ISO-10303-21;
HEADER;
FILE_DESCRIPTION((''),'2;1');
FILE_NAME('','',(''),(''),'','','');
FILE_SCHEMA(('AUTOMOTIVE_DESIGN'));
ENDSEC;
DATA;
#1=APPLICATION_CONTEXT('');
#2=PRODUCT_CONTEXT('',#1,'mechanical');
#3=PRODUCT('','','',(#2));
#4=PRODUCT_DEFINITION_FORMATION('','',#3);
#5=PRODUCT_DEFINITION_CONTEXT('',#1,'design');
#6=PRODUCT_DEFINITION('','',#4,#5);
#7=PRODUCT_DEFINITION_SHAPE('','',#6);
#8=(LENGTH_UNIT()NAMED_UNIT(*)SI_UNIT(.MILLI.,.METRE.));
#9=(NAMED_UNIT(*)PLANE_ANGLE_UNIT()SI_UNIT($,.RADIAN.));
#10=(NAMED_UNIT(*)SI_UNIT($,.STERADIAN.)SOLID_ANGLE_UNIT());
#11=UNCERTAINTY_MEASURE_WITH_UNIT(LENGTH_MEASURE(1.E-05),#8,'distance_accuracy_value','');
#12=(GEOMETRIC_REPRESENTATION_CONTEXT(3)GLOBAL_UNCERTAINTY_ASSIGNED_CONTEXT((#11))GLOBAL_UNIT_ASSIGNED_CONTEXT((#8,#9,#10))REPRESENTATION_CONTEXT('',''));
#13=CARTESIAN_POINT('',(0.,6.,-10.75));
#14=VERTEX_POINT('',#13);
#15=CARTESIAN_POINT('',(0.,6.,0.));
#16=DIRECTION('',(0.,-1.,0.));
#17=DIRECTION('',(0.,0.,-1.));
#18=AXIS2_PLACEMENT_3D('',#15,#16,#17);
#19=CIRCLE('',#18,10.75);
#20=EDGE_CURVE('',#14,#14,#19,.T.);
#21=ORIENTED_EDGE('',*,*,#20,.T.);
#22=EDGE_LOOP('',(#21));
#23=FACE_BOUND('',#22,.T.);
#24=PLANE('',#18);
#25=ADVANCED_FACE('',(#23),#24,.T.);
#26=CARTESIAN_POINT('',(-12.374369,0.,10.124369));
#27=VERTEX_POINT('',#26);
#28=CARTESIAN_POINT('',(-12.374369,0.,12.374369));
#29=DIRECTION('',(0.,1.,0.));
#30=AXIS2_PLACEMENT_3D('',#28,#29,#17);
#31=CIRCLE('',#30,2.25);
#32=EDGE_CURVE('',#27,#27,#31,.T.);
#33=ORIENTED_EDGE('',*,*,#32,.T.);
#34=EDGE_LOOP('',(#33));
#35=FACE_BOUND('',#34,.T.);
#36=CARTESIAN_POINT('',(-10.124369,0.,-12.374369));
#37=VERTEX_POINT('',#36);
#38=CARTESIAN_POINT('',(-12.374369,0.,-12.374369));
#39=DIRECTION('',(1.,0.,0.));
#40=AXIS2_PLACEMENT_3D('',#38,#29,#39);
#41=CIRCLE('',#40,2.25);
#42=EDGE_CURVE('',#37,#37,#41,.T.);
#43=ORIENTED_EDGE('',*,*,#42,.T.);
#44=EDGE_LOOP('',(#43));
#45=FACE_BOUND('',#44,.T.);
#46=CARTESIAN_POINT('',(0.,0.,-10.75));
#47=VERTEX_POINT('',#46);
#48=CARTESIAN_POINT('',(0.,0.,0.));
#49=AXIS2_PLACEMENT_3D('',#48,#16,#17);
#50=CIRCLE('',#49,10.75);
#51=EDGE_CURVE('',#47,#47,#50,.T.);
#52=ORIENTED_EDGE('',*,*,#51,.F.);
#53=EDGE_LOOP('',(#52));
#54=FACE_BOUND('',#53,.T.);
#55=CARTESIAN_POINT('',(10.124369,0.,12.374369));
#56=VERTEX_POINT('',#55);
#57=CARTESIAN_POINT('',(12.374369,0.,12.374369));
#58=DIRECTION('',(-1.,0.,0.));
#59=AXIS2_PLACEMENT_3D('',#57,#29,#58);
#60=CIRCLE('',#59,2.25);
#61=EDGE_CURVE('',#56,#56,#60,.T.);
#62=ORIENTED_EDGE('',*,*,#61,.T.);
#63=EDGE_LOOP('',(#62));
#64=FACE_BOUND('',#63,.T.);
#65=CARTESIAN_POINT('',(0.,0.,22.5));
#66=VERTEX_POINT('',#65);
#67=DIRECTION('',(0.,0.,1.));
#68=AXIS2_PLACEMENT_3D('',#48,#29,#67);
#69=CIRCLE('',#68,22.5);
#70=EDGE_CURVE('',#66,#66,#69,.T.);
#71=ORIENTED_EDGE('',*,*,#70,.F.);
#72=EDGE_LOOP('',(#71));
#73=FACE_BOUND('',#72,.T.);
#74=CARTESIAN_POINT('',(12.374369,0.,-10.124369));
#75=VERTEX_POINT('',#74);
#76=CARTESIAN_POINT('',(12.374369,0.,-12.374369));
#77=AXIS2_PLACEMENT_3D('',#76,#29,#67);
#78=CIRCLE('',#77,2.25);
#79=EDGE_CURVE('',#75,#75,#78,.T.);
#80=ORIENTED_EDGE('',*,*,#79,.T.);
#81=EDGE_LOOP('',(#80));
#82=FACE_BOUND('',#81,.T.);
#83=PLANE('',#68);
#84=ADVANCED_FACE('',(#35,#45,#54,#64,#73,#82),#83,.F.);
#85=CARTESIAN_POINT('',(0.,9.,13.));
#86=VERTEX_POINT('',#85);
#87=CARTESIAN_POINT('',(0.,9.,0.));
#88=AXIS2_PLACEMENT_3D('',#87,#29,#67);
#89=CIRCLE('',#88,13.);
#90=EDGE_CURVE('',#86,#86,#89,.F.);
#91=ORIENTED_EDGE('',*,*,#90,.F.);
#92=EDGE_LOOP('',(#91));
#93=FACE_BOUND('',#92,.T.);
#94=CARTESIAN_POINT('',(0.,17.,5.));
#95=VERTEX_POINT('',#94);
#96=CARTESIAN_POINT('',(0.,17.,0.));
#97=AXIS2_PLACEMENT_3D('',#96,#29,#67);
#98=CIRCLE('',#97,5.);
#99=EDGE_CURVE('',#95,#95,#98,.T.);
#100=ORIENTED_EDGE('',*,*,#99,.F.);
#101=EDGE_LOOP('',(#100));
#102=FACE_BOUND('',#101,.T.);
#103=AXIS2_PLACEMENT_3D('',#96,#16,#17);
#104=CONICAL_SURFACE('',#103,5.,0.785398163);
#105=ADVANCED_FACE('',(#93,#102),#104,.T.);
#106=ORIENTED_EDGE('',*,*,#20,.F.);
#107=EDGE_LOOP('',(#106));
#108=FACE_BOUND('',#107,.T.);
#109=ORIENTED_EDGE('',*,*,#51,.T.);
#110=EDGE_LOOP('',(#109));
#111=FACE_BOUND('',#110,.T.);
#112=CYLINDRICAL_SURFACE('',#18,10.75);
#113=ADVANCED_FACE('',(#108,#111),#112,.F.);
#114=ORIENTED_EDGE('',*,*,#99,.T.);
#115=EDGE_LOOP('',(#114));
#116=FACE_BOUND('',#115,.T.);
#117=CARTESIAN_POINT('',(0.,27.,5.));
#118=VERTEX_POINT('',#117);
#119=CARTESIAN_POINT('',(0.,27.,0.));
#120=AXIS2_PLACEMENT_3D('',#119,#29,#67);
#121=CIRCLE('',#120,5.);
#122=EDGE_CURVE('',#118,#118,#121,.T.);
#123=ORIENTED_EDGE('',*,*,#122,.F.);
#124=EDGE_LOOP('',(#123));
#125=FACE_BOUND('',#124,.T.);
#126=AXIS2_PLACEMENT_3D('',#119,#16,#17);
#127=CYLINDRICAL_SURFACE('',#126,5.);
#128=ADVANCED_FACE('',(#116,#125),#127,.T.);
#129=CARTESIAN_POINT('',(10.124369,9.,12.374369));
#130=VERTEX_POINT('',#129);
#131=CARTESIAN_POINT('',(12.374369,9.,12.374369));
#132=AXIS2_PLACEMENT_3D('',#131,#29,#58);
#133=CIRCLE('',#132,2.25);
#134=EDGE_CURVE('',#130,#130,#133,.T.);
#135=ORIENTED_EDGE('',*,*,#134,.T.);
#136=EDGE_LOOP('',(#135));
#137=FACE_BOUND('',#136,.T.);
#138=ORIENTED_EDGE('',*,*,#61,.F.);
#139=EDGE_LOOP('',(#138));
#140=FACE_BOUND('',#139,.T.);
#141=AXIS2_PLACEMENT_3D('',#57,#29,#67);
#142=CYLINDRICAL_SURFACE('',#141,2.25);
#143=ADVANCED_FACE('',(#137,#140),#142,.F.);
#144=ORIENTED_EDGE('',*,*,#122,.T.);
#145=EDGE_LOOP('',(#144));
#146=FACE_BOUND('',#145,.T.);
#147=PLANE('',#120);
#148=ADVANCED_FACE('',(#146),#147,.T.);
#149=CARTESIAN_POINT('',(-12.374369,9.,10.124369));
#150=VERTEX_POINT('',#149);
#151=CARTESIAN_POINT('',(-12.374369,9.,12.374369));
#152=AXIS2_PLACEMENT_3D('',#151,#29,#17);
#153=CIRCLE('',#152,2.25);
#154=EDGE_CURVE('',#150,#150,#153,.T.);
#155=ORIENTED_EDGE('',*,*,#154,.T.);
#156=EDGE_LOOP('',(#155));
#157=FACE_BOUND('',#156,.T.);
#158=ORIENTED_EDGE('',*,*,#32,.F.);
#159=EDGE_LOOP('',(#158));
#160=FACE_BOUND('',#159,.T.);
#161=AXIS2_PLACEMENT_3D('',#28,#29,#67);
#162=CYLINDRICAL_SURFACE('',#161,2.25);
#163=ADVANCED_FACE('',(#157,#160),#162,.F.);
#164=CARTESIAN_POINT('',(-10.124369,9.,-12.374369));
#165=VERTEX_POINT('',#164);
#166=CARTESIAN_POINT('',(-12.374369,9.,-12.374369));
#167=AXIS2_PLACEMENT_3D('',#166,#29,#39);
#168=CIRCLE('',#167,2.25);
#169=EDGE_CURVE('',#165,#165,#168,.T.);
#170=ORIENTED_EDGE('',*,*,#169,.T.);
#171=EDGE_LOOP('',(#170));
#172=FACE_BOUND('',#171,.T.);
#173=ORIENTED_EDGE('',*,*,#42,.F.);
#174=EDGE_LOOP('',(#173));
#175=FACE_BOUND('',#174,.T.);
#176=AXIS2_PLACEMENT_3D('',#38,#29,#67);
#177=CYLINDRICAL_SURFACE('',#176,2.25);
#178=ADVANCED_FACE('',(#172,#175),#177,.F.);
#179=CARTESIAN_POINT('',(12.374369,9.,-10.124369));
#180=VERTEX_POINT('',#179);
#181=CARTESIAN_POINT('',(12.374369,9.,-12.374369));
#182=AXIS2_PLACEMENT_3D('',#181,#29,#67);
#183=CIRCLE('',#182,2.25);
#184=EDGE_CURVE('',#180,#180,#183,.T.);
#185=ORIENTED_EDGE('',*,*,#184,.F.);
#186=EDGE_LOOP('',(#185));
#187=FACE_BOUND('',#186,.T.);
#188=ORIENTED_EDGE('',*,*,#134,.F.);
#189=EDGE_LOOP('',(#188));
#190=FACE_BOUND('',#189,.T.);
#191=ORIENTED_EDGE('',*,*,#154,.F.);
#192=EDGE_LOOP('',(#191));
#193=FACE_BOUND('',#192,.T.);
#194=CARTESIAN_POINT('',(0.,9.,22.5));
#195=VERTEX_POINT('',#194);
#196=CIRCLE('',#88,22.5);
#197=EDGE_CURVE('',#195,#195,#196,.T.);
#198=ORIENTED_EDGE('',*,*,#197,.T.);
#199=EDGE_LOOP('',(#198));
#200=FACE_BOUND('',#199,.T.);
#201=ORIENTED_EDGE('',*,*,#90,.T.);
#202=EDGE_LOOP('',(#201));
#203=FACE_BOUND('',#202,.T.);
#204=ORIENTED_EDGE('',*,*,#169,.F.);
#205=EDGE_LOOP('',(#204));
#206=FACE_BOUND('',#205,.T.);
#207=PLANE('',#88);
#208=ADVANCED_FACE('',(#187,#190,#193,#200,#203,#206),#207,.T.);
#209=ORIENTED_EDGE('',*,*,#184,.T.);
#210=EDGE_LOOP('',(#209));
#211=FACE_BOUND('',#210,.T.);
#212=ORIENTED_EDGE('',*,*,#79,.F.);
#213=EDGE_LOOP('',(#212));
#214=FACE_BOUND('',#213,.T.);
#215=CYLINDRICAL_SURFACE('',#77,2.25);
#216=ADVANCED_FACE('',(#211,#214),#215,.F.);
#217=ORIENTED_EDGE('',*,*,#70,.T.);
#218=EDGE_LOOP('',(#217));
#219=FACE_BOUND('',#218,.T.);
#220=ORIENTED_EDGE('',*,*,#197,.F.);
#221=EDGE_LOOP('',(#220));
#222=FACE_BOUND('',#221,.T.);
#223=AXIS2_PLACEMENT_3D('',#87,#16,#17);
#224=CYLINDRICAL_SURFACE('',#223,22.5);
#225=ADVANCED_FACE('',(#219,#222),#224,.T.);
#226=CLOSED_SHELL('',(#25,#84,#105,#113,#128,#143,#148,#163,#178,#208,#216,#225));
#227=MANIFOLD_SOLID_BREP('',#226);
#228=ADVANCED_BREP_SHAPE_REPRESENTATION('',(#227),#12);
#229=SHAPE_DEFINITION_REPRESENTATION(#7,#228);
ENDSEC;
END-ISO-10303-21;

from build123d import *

# Parameters (mm, degrees)
SKETCH1_R           = 22.5
BOSS_EXTRUDE1_DEPTH = 9
SKETCH2_R           = 2.25
CUT_EXTRUDE1_DEPTH  = 10
CIRPATTERN1_COUNT   = 4
SKETCH3_R           = 5
BOSS_EXTRUDE2_DEPTH = 18
CHAMFER1_SIZE       = 8
SKETCH6_R           = 10.75
CUT_EXTRUDE4_DEPTH  = 6


with BuildPart() as part:
    # Sketch1 → Boss-Extrude1 (new body)
    with BuildSketch(Plane(origin=(0, 0, 0), x_dir=(1, 0, 0), z_dir=(0, 1, 0))):
        Circle(SKETCH1_R)
    extrude(amount=BOSS_EXTRUDE1_DEPTH)

    # Sketch2 → Cut-Extrude1 (cut, through all)
    with BuildSketch(Plane(origin=(0, 9, 0), x_dir=(1, 0, 0), z_dir=(0, 1, 0))):
        with Locations((12.374368671, 12.374368671)):
            Circle(SKETCH2_R)
    cut_extrude1 = extrude(amount=-CUT_EXTRUDE1_DEPTH, mode=Mode.SUBTRACT)

    # CirPattern1: Cut-Extrude1 ×4 about axis
    cirpattern1_axis = Axis((0, 0, 0), (0, 1, 0))
    for i in range(1, CIRPATTERN1_COUNT):
        add(cut_extrude1.rotate(cirpattern1_axis, i * 360 / CIRPATTERN1_COUNT), mode=Mode.SUBTRACT)

    # Sketch3 → Boss-Extrude2 (add)
    with BuildSketch(Plane(origin=(0, 9, 0), x_dir=(1, 0, 0), z_dir=(0, 1, 0))):
        Circle(SKETCH3_R)
    extrude(amount=BOSS_EXTRUDE2_DEPTH)

    # Chamfer1
    chamfer1_edges = [part.edges().sort_by_distance(p)[0] for p in [
        (-5, 9, 0),
    ]]
    chamfer(chamfer1_edges, length=CHAMFER1_SIZE)

    # Sketch6 → Cut-Extrude4 (cut)
    with BuildSketch(Plane.XZ):
        Circle(SKETCH6_R)
    extrude(amount=-CUT_EXTRUDE4_DEPTH, mode=Mode.SUBTRACT)


solid = part.part
